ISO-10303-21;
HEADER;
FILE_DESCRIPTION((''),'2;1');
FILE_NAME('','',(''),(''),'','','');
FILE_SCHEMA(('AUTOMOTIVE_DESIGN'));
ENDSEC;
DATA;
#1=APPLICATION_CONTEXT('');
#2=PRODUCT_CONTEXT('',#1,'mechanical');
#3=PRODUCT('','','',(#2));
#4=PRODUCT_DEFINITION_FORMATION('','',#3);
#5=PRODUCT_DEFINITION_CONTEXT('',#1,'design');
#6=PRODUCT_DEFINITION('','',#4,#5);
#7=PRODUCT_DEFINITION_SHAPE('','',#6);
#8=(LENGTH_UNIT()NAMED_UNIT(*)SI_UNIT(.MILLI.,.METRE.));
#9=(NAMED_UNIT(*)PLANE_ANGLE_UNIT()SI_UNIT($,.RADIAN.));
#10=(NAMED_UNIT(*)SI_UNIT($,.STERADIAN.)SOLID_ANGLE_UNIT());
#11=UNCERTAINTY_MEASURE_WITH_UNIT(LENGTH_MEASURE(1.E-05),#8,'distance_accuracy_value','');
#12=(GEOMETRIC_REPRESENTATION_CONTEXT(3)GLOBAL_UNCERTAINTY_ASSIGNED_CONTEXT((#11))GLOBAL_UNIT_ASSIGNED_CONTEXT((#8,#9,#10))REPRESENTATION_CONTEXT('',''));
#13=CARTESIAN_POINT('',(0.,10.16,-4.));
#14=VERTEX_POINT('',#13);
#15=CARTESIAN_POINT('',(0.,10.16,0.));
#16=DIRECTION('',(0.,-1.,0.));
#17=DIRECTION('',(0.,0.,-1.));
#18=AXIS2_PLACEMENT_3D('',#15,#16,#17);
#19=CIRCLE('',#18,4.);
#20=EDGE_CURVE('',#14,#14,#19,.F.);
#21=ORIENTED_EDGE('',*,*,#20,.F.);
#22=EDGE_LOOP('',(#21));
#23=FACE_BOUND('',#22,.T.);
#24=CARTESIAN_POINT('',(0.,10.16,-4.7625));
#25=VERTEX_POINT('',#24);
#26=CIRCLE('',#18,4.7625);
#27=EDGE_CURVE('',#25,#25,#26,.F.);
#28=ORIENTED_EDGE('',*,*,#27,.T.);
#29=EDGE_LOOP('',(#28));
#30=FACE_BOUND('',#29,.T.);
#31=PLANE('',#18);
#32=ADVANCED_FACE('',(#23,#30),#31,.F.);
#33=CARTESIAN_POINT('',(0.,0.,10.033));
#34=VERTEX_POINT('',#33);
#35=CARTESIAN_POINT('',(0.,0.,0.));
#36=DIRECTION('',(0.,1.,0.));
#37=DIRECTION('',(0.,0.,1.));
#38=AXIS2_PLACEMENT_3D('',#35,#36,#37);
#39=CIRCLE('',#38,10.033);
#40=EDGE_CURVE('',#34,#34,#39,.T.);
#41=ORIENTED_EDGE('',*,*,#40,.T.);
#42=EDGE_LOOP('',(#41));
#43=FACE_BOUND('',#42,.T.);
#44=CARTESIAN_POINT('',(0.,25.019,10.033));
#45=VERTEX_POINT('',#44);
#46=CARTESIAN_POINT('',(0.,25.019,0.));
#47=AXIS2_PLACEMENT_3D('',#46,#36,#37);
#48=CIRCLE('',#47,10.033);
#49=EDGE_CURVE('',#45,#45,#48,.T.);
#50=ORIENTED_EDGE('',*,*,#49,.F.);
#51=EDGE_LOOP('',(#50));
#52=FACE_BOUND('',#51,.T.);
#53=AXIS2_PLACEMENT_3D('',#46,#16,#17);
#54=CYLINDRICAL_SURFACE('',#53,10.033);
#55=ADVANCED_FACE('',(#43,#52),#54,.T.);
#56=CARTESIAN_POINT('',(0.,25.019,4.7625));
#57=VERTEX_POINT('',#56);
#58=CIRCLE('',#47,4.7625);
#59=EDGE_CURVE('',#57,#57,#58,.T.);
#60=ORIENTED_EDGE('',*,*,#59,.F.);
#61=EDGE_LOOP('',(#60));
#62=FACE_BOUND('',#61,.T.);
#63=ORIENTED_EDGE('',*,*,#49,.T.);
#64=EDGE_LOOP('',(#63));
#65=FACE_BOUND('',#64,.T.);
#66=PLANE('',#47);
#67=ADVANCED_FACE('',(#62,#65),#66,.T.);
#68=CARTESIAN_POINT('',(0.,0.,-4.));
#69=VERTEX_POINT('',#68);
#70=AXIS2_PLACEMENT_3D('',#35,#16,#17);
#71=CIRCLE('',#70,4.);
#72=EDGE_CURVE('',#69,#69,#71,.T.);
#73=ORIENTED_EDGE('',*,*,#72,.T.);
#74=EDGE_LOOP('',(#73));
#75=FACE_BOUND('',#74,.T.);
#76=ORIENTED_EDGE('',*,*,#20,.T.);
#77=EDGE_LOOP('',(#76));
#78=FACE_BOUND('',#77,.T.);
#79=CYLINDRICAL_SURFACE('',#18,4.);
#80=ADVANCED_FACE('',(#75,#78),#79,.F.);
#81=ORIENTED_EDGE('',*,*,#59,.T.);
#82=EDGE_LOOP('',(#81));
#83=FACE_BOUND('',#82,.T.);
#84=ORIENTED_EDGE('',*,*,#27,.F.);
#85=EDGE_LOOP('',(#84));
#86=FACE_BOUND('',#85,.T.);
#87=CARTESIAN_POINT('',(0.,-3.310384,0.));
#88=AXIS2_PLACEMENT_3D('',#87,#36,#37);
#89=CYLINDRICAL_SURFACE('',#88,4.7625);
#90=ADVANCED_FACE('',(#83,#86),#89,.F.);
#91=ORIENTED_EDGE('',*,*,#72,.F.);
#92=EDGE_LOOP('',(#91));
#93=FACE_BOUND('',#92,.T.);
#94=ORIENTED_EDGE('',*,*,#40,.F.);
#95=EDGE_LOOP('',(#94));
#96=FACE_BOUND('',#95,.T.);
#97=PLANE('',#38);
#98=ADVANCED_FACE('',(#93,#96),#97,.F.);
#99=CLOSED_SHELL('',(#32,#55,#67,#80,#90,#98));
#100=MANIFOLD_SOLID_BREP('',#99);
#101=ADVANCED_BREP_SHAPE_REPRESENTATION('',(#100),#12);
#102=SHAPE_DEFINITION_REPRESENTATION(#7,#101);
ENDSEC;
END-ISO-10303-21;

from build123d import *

# Parameters (mm, degrees)
SKETCH1_R           = 10.033
BOSS_EXTRUDE1_DEPTH = 25.019
SKETCH2_R           = 4
CUT_EXTRUDE1_DEPTH  = 10.16
SKETCH3_R           = 4.7625
CUT_EXTRUDE2_DEPTH  = 14.859


with BuildPart() as part:
    # Sketch1 → Boss-Extrude1 (new body)
    with BuildSketch(Plane(origin=(0, 0, 0), x_dir=(1, 0, 0), z_dir=(0, 1, 0))):
        Circle(SKETCH1_R)
    extrude(amount=BOSS_EXTRUDE1_DEPTH)

    # Sketch2 → Cut-Extrude1 (cut)
    with BuildSketch(Plane.XZ):
        Circle(SKETCH2_R)
    extrude(amount=-CUT_EXTRUDE1_DEPTH, mode=Mode.SUBTRACT)

    # Sketch3 → Cut-Extrude2 (cut)
    with BuildSketch(Plane(origin=(0, 25.019, 0), x_dir=(1, 0, 0), z_dir=(0, 1, 0))):
        Circle(SKETCH3_R)
    extrude(amount=-CUT_EXTRUDE2_DEPTH, mode=Mode.SUBTRACT)


solid = part.part
